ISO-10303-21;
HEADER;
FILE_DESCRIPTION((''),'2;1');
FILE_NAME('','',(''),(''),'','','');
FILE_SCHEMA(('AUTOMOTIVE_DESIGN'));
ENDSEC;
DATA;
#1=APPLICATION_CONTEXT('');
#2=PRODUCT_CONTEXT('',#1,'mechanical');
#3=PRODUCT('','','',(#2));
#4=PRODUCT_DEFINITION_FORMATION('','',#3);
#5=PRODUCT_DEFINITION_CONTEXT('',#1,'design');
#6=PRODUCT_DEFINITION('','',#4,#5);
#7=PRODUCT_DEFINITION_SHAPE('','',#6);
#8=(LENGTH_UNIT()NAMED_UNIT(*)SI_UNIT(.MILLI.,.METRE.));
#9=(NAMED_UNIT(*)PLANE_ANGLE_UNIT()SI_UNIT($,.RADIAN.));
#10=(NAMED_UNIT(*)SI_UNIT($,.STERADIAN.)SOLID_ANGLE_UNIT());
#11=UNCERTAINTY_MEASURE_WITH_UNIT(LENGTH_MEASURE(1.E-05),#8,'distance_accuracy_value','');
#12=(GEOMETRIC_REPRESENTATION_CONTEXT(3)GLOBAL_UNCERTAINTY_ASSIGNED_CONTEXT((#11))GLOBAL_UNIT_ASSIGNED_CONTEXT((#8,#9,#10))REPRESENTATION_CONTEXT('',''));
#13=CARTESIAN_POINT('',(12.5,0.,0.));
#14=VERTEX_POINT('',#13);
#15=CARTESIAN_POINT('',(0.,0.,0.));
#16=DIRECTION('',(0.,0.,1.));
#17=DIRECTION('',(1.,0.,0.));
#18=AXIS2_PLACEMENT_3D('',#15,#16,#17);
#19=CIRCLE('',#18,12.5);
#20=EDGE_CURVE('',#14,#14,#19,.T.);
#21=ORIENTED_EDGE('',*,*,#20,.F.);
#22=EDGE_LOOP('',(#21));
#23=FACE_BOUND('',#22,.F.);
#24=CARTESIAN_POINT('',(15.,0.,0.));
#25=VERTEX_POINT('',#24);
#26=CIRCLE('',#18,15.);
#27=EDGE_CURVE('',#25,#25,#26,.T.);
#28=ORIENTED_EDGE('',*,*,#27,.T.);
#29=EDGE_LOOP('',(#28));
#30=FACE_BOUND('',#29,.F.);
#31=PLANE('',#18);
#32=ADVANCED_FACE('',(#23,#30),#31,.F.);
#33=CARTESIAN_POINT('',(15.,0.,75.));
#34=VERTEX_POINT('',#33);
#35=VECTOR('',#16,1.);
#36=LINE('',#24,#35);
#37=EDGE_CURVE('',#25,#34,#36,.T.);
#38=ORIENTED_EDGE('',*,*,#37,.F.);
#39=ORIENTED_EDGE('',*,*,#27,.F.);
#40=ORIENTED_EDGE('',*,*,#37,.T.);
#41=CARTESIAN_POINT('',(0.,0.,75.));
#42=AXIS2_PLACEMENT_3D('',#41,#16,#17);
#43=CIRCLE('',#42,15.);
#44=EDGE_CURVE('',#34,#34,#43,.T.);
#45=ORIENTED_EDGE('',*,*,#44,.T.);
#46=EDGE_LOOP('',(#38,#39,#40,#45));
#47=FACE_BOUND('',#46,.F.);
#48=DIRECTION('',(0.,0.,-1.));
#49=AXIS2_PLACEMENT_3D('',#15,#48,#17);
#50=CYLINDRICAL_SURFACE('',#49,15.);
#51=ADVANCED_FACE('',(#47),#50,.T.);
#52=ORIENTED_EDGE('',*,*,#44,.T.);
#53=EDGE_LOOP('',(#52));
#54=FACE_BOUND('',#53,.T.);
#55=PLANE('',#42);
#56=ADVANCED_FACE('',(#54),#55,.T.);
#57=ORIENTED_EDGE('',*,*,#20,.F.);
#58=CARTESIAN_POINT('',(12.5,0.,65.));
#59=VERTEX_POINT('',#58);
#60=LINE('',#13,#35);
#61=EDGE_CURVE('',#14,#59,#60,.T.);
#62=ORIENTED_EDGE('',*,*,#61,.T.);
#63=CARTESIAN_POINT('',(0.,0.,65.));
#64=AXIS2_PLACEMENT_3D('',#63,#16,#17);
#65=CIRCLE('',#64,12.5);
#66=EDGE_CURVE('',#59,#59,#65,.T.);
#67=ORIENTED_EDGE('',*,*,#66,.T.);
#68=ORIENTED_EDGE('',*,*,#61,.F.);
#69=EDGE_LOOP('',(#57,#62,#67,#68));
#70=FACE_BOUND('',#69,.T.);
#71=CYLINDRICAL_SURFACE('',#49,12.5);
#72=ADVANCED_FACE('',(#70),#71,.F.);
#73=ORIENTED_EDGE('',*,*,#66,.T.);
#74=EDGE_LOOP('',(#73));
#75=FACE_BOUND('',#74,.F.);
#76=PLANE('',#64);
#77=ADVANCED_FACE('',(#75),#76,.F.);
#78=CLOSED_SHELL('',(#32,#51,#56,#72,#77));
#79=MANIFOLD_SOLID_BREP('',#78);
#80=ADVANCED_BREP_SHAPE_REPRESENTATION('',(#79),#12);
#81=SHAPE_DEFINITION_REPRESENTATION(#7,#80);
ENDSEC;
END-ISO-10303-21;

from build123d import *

# Parameters (mm, degrees)
SKETCH_R     = 15
PAD_DEPTH    = 75
SKETCH001_R  = 12.5
POCKET_DEPTH = 65


with BuildPart() as part:
    # Sketch → Pad (new body)
    with BuildSketch(Plane.XY):
        Circle(SKETCH_R)
    extrude(amount=PAD_DEPTH)

    # Sketch001 → Pocket (cut)
    with BuildSketch(Plane.XY):
        Circle(SKETCH001_R)
    extrude(amount=POCKET_DEPTH, mode=Mode.SUBTRACT)


solid = part.part
